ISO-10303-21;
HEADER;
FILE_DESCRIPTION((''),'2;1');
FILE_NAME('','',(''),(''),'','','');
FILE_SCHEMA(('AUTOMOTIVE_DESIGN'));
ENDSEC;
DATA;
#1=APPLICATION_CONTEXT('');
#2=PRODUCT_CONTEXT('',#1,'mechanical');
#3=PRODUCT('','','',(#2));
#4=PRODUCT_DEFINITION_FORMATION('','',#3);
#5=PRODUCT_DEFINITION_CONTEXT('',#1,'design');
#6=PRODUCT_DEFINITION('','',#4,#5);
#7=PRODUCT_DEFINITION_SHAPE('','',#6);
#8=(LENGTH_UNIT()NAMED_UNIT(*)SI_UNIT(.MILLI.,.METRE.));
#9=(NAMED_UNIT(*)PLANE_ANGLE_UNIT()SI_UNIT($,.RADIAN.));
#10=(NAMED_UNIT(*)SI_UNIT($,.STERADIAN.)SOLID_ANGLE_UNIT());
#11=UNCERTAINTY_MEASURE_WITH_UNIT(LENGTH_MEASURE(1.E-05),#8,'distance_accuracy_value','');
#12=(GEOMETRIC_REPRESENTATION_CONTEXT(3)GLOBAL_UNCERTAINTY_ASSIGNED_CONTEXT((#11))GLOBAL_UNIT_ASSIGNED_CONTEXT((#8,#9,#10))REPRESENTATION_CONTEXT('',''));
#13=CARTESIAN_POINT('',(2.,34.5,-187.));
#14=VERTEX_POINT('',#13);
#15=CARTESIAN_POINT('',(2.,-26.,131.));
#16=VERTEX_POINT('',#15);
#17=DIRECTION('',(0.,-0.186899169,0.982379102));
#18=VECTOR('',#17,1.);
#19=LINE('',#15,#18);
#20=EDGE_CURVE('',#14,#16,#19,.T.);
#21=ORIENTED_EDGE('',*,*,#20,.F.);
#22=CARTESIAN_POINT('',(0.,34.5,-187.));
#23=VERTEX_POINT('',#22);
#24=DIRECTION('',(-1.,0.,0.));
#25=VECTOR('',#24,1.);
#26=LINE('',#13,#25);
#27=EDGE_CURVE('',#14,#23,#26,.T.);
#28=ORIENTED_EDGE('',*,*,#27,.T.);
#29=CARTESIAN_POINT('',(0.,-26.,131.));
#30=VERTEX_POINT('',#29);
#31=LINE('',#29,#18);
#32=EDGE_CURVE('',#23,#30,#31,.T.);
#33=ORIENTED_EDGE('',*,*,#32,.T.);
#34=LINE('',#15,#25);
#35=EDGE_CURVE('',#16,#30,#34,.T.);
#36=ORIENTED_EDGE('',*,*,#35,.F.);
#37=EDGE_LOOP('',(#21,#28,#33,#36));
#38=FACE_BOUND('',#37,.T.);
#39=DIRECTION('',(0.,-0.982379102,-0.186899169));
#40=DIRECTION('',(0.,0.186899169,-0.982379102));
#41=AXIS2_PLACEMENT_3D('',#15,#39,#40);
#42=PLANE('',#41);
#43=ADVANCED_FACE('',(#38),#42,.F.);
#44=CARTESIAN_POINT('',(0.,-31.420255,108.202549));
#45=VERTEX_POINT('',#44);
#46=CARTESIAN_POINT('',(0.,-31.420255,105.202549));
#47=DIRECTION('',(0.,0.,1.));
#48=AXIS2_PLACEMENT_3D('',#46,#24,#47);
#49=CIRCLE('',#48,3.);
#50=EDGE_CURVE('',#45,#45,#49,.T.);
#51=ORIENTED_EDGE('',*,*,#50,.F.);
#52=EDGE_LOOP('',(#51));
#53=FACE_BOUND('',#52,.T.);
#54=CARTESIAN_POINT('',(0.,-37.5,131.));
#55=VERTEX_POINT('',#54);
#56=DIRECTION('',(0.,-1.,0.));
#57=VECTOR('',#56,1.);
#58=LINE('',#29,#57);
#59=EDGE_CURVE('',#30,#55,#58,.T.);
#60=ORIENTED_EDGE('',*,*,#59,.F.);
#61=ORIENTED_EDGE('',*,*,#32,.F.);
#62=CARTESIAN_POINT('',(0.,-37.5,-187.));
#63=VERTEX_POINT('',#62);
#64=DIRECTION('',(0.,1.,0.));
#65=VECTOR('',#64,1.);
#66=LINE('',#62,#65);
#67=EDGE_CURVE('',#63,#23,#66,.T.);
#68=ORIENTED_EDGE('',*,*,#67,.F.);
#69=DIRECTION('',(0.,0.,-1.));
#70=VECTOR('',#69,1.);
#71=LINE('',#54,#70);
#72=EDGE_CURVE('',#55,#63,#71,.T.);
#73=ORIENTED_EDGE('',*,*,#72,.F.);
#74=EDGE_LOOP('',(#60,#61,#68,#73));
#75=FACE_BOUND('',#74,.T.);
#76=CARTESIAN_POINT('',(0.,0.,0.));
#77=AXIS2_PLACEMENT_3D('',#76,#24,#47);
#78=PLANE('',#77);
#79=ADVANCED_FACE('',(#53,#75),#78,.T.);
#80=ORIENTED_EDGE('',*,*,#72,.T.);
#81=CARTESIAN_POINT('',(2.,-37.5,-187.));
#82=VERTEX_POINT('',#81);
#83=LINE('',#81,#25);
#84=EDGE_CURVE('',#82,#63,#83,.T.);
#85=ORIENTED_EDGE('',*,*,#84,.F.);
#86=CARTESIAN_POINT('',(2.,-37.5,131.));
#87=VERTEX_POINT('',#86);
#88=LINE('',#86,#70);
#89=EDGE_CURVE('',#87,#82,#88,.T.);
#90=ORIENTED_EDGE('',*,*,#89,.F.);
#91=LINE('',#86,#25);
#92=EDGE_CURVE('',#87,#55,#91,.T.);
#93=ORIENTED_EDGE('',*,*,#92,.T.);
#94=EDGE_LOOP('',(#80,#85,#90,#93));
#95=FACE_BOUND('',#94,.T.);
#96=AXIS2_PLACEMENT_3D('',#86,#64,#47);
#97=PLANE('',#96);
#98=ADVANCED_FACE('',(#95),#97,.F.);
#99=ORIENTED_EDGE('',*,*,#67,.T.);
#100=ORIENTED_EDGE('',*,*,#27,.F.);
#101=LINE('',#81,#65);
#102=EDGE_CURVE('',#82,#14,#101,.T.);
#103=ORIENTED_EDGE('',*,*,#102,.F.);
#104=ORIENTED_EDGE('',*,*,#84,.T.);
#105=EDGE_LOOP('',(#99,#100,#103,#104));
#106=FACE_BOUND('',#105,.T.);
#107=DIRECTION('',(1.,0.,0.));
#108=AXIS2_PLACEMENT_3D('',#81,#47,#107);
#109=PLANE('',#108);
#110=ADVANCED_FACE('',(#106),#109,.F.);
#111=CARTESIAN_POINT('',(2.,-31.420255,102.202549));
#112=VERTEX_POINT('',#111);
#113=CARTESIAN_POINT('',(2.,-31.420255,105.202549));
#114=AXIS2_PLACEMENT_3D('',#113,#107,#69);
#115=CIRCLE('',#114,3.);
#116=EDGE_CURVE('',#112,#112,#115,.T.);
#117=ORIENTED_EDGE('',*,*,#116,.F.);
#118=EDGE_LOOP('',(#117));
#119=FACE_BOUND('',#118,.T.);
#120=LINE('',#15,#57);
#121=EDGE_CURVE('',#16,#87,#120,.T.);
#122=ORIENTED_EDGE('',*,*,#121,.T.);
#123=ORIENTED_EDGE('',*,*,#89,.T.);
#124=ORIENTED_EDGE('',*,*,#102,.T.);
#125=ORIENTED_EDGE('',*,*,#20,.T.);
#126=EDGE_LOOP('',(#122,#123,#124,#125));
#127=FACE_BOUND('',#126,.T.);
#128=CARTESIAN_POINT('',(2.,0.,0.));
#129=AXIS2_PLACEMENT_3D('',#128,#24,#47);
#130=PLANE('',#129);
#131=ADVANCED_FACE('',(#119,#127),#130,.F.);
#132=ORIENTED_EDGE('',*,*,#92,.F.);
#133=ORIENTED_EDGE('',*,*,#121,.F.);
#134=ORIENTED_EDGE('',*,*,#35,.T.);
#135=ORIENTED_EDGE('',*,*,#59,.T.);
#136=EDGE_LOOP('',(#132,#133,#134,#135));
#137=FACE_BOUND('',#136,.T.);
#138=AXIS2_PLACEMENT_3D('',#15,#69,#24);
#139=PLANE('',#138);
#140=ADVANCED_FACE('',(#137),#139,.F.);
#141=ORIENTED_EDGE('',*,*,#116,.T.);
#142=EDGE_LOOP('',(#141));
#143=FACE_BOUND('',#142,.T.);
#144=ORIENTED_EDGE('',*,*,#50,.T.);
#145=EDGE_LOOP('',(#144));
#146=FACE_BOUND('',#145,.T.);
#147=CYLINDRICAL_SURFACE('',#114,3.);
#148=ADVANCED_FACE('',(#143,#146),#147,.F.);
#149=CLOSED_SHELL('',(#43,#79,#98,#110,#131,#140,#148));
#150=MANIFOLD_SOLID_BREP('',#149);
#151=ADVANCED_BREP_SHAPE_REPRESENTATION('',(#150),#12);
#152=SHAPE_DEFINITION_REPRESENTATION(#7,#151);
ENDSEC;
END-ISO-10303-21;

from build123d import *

# Parameters (mm, degrees)
RESSALTO_EXTRUS_O1_DEPTH                       = 2
BROCA_DE_ROSQUEAR_DE_CANO_PARA_TARRAXA_D_D     = 6
BROCA_DE_ROSQUEAR_DE_CANO_PARA_TARRAXA_D_DEPTH = 4
BROCA_DE_ROSQUEAR_DE_CANO_PARA_TARRAXA_D_TIP   = 1.802581857


with BuildPart() as part:
    # Esboço1 → Ressalto-extrusão1 (new body)
    with BuildSketch(Plane(origin=(0, 0, 0), x_dir=(0, 0, -1), z_dir=(1, 0, 0))):
        Polygon((-131, -26), (-131, -37.5), (187, -37.5), (187, 34.5), align=None)
    extrude(amount=RESSALTO_EXTRUS_O1_DEPTH)

    # Broca de rosquear de cano para tarraxa de 1/810
    with Locations(Plane(origin=(2, 0, 0), x_dir=(0, 0, -1), z_dir=(1, 0, 0))):
        with Locations((-105.202549234, -31.420254628)):
            Hole(BROCA_DE_ROSQUEAR_DE_CANO_PARA_TARRAXA_D_D / 2, depth=BROCA_DE_ROSQUEAR_DE_CANO_PARA_TARRAXA_D_DEPTH)
            with Locations((0, 0, -(BROCA_DE_ROSQUEAR_DE_CANO_PARA_TARRAXA_D_DEPTH + BROCA_DE_ROSQUEAR_DE_CANO_PARA_TARRAXA_D_TIP / 2))):  # 118° drill point
                Cone(0, BROCA_DE_ROSQUEAR_DE_CANO_PARA_TARRAXA_D_D / 2, BROCA_DE_ROSQUEAR_DE_CANO_PARA_TARRAXA_D_TIP, mode=Mode.SUBTRACT)


solid = part.part
